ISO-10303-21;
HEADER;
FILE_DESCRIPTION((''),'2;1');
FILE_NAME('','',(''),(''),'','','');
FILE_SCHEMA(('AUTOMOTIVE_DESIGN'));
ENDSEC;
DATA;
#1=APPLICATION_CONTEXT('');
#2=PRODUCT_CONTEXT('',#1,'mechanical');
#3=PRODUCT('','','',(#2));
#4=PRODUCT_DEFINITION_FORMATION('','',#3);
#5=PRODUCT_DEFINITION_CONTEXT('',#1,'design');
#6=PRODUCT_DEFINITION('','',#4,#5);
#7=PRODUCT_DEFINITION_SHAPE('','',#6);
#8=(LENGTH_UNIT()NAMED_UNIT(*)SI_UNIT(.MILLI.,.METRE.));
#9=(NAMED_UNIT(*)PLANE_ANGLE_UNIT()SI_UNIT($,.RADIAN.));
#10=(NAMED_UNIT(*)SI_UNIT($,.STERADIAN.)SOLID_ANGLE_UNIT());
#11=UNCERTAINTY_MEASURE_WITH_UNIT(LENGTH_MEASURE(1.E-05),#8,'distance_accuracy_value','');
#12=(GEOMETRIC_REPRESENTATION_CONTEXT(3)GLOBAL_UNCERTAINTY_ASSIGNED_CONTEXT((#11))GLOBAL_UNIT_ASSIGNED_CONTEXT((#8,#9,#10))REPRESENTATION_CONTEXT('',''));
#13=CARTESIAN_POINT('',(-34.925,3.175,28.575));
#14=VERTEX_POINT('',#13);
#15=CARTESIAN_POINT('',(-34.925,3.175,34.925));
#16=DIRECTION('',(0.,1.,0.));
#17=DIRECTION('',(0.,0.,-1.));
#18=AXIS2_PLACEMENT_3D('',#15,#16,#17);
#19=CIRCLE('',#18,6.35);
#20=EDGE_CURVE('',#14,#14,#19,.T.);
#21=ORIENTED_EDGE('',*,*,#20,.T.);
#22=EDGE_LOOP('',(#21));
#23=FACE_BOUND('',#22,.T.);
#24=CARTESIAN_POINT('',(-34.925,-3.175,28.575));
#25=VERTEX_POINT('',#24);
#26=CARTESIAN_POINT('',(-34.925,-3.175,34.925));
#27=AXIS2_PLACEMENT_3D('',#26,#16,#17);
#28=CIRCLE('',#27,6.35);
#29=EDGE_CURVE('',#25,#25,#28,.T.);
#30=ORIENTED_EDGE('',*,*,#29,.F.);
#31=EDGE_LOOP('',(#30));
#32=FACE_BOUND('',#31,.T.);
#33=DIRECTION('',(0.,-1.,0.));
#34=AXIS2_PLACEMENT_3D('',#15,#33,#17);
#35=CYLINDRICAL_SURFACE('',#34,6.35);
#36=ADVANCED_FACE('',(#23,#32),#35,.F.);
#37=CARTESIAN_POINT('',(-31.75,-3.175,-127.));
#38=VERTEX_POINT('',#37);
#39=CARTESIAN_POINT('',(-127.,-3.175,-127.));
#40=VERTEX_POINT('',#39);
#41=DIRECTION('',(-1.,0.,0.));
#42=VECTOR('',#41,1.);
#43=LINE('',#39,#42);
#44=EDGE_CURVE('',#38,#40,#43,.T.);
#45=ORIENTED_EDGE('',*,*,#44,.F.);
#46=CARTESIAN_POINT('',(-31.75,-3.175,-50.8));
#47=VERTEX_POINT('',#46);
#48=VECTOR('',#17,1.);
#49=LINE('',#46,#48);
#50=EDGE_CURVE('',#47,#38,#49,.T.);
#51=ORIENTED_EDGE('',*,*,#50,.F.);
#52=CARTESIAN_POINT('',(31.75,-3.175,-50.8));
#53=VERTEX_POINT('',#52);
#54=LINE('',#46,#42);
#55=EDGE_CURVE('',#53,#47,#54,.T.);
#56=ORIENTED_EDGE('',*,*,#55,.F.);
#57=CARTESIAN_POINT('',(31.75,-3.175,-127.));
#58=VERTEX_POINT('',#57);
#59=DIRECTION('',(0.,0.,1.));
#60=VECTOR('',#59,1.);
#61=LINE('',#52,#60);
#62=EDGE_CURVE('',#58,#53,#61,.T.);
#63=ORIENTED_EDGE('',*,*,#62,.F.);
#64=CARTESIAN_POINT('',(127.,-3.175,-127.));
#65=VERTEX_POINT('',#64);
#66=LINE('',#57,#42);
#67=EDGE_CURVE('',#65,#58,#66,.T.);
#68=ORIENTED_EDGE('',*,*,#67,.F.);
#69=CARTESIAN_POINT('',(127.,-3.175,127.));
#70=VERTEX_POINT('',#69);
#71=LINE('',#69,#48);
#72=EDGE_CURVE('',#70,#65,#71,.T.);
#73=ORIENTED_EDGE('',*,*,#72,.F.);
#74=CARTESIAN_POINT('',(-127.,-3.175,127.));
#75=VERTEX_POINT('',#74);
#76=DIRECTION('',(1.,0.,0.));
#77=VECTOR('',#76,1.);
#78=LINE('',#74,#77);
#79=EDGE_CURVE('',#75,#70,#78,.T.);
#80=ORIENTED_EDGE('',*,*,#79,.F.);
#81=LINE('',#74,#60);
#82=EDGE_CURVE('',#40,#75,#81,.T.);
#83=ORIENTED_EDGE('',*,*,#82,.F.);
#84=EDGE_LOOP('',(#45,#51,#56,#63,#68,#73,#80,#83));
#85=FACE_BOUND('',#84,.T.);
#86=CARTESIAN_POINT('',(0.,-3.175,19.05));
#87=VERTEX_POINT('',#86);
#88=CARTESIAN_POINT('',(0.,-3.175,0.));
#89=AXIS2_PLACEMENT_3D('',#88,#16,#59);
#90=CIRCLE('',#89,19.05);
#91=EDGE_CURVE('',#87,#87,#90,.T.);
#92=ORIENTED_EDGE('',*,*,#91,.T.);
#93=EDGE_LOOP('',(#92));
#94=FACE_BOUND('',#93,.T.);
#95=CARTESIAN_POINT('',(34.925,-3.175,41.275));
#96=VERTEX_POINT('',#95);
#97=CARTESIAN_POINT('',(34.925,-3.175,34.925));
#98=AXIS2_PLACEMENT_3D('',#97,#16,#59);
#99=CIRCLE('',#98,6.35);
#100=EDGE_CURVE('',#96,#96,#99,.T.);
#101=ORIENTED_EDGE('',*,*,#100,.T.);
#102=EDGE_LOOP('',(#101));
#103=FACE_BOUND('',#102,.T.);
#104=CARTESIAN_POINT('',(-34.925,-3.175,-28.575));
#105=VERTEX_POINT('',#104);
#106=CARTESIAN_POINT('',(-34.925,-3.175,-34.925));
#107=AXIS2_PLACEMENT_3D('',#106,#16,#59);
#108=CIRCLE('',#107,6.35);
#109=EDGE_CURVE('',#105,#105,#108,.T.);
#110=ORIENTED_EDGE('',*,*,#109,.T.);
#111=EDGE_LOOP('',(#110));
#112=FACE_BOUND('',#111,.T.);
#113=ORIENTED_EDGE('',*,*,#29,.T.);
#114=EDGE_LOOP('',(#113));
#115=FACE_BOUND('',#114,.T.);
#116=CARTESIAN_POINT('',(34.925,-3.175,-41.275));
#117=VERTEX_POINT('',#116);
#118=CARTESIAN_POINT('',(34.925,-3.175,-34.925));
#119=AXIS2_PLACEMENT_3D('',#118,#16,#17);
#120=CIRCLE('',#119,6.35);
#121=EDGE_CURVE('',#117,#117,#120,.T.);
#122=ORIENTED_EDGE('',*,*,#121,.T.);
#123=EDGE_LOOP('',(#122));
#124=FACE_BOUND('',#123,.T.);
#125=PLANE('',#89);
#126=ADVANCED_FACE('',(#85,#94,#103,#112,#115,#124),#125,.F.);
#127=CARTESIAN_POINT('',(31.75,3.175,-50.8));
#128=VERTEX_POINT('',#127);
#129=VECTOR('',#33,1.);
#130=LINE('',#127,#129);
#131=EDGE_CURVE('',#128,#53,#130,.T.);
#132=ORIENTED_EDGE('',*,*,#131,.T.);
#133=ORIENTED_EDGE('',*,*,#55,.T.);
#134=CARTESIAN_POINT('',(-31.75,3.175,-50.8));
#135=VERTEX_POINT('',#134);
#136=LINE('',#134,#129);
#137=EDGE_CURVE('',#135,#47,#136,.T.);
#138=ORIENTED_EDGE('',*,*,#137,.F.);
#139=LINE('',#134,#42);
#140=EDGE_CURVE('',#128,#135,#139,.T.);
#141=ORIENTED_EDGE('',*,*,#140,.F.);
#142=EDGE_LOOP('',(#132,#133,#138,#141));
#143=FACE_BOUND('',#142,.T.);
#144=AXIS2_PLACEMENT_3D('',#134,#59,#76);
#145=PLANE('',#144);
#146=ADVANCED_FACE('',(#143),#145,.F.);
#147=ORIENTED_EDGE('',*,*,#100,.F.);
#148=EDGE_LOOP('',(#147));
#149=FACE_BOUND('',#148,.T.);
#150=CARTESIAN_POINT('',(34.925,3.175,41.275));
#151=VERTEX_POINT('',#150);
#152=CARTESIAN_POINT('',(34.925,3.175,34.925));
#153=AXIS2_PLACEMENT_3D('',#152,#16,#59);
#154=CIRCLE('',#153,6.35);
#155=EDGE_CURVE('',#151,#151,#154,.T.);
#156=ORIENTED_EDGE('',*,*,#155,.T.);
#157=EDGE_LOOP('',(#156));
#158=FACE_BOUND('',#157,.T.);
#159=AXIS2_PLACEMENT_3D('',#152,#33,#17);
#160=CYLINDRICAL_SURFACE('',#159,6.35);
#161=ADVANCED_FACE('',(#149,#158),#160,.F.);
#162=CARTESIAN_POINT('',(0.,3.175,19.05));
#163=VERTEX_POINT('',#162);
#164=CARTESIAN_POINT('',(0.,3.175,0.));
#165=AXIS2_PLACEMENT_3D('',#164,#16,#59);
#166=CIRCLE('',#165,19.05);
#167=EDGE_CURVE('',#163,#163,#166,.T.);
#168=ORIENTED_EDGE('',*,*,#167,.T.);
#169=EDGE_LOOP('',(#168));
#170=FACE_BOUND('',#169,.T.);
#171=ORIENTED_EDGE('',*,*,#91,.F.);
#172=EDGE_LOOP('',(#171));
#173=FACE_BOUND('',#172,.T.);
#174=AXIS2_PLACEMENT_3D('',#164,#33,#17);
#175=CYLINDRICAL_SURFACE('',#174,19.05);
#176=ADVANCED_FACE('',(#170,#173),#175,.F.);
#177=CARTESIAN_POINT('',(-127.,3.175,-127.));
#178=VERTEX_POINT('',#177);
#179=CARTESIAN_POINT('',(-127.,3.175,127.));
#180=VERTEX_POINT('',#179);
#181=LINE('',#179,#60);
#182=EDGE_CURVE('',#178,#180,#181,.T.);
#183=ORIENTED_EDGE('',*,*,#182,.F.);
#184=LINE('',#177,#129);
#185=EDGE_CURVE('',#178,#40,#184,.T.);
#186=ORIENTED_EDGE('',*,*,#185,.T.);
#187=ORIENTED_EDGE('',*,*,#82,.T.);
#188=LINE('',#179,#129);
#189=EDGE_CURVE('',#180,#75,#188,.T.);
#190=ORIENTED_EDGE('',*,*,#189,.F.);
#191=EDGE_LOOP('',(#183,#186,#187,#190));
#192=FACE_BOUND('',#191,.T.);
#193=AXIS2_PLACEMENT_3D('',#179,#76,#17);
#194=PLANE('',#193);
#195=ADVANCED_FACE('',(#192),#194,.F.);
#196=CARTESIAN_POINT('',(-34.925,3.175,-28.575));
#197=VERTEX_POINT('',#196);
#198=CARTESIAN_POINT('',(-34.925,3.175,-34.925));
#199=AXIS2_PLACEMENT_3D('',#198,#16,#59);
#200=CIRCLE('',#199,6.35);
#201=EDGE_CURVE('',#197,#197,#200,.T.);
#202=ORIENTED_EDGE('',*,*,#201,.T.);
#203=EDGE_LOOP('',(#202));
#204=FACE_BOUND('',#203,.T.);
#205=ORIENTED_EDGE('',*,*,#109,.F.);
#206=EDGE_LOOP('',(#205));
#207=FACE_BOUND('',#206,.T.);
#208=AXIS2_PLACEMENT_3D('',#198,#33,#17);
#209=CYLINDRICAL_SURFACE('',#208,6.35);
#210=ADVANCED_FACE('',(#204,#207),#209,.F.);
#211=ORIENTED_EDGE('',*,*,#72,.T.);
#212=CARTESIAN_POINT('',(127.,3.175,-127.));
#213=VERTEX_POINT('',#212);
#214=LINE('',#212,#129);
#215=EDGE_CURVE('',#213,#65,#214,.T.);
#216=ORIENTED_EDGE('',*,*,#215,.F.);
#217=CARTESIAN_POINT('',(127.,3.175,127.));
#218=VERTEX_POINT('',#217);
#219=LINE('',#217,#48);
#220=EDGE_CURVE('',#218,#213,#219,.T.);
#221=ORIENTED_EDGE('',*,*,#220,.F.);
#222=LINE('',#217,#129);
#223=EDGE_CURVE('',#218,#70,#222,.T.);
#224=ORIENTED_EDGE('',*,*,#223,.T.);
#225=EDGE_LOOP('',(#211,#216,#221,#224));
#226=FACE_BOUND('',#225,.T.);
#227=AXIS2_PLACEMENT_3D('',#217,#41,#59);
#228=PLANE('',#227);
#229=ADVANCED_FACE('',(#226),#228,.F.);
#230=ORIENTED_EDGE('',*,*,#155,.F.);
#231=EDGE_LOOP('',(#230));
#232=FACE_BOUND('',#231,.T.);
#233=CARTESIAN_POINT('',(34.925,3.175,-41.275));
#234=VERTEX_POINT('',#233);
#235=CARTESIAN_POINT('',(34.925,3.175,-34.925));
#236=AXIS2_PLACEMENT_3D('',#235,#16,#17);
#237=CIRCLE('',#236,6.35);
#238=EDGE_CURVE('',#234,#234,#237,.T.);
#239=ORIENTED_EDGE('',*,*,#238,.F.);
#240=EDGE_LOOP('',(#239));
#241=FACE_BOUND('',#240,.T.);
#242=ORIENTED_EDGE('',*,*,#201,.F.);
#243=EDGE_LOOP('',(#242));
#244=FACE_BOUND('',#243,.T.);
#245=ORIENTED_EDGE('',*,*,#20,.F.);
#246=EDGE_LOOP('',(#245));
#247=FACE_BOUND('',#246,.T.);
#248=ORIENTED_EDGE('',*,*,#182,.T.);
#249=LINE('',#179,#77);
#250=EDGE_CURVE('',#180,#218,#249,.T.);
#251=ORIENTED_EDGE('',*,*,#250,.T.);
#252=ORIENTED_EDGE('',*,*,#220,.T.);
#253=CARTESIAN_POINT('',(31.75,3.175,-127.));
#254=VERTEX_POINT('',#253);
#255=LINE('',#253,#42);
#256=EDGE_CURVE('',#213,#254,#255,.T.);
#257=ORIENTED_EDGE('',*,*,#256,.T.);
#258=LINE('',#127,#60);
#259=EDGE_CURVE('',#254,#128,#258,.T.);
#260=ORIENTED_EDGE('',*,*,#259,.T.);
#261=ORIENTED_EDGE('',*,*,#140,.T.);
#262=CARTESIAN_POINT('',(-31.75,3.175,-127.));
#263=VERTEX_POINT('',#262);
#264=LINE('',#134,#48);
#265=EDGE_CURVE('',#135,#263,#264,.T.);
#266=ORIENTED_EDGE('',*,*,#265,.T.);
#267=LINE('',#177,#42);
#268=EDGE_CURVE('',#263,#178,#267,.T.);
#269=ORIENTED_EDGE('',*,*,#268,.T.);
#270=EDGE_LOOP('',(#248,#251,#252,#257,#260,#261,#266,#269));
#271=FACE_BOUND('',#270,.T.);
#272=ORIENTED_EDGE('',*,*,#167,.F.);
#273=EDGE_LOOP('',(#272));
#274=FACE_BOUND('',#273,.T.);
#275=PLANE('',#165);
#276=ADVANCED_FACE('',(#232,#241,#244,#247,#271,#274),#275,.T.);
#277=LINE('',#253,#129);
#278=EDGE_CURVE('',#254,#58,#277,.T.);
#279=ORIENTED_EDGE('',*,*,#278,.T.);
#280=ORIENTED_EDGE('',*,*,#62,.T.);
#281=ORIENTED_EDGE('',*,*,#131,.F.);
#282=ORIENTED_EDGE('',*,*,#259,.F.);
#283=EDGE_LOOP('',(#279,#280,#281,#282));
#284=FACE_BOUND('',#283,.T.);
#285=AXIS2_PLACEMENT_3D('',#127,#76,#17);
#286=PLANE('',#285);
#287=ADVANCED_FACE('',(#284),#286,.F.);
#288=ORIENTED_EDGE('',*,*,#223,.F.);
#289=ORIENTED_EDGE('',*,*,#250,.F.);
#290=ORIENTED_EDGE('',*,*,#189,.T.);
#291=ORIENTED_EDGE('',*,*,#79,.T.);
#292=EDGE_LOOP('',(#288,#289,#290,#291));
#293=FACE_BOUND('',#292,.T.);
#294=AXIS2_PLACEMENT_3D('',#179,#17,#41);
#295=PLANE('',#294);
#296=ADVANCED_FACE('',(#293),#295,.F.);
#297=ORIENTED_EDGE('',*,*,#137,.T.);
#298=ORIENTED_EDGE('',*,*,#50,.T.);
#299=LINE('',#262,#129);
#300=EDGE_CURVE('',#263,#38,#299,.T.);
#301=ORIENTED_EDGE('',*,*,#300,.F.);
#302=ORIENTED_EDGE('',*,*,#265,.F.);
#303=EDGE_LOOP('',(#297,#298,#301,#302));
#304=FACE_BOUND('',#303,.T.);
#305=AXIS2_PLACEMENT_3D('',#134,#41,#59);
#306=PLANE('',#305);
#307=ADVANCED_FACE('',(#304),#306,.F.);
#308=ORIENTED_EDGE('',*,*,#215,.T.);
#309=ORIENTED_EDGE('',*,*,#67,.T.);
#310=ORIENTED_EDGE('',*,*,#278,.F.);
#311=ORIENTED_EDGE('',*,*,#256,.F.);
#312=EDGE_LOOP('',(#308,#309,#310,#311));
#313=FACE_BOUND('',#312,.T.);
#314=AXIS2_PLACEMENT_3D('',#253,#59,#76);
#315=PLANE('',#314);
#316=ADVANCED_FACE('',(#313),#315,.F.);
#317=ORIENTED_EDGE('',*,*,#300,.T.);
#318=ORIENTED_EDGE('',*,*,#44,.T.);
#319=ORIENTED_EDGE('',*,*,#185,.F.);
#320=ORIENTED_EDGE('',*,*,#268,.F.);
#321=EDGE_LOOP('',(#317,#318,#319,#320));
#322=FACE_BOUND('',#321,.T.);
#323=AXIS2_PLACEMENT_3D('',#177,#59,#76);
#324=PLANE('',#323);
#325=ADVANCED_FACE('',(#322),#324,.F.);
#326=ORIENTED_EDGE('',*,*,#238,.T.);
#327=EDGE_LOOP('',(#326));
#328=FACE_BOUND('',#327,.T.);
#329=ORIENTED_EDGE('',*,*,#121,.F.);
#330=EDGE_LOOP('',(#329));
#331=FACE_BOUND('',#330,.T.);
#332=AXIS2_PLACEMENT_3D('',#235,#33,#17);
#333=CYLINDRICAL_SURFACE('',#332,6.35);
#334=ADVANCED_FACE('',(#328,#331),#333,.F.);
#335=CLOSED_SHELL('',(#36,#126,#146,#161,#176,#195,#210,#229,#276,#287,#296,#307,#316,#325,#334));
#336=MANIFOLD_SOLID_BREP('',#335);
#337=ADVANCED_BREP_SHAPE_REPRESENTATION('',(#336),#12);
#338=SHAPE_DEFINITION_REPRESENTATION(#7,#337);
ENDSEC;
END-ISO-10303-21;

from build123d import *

# Parameters (mm, degrees)
SKETCH1_R           = 19.05
SKETCH1_R_2         = 6.35
BOSS_EXTRUDE1_DEPTH = 3.175


with BuildPart() as part:
    # Sketch1 → Boss-Extrude1 (new, symmetric)
    with BuildSketch(Plane(origin=(0, 0, 0), x_dir=(1, 0, 0), z_dir=(0, 1, 0))):
        Polygon((-31.75, 50.8), (31.75, 50.8), (31.75, 127), (127, 127), (127, -127), (-127, -127), (-127, 127), (-31.75, 127), align=None)
        with Locations(Location((0, 0, 0), (0, 0, 270))):
            Circle(SKETCH1_R, mode=Mode.SUBTRACT)
        with Locations(Location((-34.925, 34.925, 0), (0, 0, 270))):
            Circle(SKETCH1_R_2, mode=Mode.SUBTRACT)
        with Locations(Location((34.925, 34.925, 0), (0, 0, 90))):
            Circle(SKETCH1_R_2, mode=Mode.SUBTRACT)
        with Locations(Location((34.925, -34.925, 0), (0, 0, 270))):
            Circle(SKETCH1_R_2, mode=Mode.SUBTRACT)
        with Locations(Location((-34.925, -34.925, 0), (0, 0, 90))):
            Circle(SKETCH1_R_2, mode=Mode.SUBTRACT)
    extrude(amount=BOSS_EXTRUDE1_DEPTH, both=True)


solid = part.part
